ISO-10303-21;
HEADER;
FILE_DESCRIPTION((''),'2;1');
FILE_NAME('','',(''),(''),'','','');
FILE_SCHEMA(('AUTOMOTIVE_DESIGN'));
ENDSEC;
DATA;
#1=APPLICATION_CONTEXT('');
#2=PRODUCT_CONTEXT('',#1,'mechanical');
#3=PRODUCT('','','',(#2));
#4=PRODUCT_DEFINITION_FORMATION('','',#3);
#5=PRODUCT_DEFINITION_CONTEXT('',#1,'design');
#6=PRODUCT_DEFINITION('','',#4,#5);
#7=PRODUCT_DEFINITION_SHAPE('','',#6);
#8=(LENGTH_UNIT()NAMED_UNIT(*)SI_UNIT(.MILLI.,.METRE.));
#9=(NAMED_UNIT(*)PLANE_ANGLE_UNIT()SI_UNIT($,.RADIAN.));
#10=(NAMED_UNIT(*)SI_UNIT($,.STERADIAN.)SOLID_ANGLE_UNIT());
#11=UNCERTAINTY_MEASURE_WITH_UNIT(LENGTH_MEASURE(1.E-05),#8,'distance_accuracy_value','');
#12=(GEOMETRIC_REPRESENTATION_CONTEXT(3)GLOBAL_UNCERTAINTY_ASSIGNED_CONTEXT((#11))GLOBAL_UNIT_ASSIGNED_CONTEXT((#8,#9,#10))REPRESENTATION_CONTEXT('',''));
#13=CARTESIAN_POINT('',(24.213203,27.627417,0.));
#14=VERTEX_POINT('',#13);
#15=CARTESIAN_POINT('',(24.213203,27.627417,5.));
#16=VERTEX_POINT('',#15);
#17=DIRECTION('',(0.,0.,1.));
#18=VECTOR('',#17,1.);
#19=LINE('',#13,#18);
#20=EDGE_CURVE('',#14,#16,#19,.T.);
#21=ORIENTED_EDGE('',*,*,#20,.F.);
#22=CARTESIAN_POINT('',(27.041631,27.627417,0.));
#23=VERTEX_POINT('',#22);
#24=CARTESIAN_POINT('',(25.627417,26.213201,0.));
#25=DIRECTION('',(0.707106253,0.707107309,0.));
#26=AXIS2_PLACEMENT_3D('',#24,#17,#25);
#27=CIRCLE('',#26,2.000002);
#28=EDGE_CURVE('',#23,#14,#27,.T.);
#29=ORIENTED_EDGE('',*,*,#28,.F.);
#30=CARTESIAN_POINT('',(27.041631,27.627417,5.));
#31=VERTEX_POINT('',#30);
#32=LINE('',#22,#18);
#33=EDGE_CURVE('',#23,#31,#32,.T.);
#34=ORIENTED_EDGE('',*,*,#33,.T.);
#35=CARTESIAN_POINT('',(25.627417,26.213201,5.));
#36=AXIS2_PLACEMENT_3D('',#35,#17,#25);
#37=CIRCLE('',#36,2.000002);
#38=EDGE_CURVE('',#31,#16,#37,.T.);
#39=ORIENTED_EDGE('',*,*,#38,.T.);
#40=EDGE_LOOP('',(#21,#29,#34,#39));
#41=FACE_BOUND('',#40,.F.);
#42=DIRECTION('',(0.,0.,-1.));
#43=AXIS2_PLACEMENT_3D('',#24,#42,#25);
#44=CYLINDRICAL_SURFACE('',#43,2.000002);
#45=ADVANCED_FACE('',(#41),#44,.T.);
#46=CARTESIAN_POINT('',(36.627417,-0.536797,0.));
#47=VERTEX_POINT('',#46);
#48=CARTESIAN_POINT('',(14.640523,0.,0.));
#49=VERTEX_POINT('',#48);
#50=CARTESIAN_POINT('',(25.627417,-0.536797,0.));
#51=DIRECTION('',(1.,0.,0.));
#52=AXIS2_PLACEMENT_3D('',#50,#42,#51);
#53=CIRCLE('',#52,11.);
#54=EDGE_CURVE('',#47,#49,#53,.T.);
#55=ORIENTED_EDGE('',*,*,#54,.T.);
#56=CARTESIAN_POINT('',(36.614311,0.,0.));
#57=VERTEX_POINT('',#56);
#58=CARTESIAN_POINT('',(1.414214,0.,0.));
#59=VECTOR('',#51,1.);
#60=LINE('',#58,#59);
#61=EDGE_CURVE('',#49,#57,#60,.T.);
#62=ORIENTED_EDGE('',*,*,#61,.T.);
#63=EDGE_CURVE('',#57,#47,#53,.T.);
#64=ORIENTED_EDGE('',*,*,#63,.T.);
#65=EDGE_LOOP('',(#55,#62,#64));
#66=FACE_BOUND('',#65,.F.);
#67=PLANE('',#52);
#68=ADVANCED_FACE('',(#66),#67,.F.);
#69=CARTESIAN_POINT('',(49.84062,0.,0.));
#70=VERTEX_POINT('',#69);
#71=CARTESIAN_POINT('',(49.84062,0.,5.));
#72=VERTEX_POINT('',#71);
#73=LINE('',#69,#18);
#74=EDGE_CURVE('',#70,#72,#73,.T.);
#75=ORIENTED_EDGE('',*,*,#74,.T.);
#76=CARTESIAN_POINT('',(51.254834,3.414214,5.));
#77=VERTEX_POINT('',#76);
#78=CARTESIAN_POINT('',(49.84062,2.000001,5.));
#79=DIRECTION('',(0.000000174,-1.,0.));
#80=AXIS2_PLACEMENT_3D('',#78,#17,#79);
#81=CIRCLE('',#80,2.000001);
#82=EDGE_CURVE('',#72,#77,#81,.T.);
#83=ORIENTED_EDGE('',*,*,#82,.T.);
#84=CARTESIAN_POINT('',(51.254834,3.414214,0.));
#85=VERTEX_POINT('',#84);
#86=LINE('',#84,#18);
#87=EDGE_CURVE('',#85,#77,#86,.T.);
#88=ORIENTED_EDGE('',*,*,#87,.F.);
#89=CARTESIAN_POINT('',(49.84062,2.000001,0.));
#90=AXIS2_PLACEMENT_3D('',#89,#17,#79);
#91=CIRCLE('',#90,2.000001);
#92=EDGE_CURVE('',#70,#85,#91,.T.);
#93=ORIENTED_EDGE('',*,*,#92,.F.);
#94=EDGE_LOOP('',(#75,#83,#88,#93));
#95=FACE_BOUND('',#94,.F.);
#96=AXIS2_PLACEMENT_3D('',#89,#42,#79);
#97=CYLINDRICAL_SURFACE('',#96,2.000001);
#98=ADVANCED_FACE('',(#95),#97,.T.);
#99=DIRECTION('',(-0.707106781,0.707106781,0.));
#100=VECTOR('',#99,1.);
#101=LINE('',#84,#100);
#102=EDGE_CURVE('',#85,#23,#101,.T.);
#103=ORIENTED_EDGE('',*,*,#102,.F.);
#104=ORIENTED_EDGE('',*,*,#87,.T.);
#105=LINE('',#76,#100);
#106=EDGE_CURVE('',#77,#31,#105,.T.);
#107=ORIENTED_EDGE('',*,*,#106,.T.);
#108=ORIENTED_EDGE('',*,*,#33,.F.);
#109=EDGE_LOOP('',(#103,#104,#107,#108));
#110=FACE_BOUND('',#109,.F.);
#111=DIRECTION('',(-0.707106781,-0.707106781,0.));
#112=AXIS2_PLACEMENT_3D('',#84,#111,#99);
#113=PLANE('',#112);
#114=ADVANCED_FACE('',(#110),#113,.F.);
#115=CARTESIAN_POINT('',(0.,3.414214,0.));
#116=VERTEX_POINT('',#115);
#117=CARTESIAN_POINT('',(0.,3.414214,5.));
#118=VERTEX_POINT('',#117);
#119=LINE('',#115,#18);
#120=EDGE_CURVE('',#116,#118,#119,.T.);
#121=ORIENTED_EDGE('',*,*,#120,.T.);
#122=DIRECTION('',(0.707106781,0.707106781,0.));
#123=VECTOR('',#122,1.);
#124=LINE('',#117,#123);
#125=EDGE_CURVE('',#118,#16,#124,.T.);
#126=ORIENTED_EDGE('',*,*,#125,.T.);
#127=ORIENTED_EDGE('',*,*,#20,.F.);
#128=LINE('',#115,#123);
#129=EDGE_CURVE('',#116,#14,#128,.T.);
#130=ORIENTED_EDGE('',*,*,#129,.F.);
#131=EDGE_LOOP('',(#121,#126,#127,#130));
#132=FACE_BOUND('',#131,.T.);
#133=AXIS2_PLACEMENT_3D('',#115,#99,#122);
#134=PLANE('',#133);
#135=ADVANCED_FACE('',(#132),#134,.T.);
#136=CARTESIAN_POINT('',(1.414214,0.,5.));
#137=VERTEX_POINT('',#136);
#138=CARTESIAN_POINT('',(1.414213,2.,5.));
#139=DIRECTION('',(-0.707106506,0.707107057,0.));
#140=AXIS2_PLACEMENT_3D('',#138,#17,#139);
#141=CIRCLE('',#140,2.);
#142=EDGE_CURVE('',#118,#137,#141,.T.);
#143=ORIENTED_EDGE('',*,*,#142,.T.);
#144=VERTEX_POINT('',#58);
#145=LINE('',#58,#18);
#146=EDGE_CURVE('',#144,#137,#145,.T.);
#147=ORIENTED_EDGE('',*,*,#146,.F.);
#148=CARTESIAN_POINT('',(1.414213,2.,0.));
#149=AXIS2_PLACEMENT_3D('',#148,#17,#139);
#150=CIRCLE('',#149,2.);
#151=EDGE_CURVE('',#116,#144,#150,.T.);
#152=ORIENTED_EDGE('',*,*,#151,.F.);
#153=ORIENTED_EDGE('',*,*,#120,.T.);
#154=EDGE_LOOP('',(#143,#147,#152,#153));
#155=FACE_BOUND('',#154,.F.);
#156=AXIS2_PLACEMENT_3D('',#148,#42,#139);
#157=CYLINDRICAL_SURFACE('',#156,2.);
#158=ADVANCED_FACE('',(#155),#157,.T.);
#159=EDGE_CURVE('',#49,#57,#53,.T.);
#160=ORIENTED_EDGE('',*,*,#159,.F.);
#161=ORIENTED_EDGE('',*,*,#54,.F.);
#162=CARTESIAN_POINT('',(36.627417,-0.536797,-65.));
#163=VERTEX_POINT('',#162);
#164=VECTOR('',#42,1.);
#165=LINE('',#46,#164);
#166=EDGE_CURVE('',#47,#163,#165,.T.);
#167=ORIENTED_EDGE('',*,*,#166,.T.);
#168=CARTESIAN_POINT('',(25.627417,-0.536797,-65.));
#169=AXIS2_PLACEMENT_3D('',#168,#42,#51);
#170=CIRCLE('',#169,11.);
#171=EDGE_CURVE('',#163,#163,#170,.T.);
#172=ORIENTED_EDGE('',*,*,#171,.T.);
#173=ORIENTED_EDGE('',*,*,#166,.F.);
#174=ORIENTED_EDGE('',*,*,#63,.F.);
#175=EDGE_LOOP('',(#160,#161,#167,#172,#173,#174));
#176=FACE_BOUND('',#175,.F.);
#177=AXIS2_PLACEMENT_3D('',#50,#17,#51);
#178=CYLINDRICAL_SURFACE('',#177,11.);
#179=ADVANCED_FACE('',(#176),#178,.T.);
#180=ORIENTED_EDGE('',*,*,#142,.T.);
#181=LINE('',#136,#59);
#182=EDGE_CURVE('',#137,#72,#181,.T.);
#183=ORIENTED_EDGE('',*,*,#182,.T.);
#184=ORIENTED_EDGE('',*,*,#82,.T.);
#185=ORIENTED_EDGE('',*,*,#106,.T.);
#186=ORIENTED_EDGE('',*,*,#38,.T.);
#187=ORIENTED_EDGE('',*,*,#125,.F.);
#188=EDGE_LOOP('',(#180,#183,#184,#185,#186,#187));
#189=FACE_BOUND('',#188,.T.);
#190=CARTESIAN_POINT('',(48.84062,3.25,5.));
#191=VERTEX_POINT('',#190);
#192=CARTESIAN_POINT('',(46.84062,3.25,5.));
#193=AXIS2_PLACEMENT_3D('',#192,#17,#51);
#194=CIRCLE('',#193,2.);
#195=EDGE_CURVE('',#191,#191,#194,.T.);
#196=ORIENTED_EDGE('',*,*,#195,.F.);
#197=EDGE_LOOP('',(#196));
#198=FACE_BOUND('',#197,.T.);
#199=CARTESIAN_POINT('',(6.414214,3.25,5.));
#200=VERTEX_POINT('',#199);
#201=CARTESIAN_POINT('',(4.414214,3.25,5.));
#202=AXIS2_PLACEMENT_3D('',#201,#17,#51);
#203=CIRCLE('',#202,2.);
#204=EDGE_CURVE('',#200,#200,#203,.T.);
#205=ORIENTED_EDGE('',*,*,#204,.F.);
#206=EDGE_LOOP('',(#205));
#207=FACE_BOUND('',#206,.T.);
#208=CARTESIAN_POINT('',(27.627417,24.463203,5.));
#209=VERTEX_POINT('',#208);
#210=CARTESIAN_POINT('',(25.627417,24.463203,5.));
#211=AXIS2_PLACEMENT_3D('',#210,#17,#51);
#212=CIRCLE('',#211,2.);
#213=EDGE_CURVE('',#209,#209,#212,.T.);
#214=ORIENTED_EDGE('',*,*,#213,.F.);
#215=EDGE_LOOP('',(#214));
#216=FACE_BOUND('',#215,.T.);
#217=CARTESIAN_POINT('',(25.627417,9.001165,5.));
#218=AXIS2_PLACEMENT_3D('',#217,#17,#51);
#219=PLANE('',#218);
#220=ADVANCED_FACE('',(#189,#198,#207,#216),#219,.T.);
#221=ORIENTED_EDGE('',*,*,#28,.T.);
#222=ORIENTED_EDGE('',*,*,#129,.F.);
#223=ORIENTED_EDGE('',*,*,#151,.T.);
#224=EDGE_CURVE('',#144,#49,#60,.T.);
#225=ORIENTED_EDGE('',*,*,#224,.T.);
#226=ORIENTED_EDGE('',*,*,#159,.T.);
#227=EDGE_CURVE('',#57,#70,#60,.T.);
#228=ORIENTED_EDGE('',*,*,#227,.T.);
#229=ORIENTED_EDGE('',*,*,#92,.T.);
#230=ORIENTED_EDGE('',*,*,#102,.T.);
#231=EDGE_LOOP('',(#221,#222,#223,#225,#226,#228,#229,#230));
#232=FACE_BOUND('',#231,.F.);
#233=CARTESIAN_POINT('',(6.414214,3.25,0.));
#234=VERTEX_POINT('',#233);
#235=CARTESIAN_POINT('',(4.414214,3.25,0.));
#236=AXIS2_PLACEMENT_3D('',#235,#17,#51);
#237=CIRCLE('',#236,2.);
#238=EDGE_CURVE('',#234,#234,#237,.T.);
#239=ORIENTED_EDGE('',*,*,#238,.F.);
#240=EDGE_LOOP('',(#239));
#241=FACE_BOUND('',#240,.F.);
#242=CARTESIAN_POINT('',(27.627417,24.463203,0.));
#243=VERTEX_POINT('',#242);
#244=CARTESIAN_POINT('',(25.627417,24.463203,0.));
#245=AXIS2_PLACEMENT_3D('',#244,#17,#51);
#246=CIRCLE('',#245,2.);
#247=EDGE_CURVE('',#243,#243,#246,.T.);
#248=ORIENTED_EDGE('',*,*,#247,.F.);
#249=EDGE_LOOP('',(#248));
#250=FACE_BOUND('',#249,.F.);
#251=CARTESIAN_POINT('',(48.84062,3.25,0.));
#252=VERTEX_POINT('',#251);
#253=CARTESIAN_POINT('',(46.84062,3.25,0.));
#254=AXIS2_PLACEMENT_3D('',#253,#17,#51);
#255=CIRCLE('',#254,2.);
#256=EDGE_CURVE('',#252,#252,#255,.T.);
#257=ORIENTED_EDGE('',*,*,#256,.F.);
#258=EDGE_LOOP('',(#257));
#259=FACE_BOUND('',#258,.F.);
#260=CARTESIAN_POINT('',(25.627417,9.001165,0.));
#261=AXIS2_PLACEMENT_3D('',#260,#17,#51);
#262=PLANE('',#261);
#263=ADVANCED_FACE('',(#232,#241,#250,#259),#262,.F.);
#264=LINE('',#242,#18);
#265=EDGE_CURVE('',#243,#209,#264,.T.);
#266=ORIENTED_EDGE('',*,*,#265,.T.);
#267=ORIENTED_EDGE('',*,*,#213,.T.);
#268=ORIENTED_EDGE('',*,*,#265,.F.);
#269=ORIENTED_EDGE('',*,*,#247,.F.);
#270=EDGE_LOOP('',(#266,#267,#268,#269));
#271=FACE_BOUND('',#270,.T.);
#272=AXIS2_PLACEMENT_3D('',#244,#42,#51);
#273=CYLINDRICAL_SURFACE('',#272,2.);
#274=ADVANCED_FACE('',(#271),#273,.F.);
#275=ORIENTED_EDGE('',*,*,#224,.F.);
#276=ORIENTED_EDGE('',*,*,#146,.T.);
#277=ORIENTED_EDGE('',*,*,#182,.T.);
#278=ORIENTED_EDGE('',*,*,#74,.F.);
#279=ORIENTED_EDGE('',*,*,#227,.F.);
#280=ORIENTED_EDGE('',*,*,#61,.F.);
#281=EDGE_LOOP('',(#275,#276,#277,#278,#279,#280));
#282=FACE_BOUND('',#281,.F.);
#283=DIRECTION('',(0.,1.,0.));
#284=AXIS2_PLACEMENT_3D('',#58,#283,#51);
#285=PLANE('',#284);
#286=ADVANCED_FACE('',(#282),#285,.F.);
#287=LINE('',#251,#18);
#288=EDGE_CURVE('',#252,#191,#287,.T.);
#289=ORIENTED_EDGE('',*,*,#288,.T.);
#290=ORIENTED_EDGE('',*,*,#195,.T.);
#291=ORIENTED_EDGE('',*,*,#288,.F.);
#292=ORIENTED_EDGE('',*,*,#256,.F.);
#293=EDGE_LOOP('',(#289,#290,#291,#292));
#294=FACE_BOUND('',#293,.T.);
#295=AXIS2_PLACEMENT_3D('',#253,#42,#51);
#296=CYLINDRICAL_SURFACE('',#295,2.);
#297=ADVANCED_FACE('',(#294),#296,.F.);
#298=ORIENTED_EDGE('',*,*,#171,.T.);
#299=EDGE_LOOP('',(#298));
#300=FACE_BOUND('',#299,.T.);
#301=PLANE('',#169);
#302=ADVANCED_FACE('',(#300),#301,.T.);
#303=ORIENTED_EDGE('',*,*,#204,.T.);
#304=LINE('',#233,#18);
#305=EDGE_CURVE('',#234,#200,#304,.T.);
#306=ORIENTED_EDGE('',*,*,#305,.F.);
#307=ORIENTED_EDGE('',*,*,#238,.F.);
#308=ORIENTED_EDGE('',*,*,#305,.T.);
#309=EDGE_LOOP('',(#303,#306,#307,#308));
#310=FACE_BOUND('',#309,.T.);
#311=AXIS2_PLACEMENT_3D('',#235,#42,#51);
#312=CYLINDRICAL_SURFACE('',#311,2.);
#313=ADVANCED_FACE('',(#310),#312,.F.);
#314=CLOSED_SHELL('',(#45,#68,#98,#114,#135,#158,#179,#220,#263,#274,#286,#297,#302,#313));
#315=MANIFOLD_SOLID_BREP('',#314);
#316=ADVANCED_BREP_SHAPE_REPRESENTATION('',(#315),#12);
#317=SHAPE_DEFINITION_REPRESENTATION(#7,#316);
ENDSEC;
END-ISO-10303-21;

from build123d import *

# Parameters (mm, degrees)
SKETCH_R     = 2
PAD_DEPTH    = 5
SKETCH001_R  = 11
PAD001_DEPTH = 65


with BuildPart() as part:
    # Sketch → Pad (new body)
    with BuildSketch(Plane.XY):
        with BuildLine():
            Line((1.414214, 0), (49.84062, 0))
            ThreePointArc((49.84062, 0), (51.688379, 1.234633), (51.254834, 3.414214))
            Line((51.254834, 3.414214), (27.041631, 27.627417))
            ThreePointArc((27.041631, 27.627417), (25.627417, 28.213203), (24.213203, 27.627417))
            Line((0, 3.414214), (24.213203, 27.627417))
            ThreePointArc((0, 3.414214), (-0.433546, 1.234633), (1.414214, 0))
        make_face()
        with Locations((4.414214, 3.25)):
            Circle(SKETCH_R, mode=Mode.SUBTRACT)
        with Locations((46.84062, 3.25)):
            Circle(SKETCH_R, mode=Mode.SUBTRACT)
        with Locations((25.627417, 24.463203)):
            Circle(SKETCH_R, mode=Mode.SUBTRACT)
    extrude(amount=PAD_DEPTH)

    # Sketch001 (on Face10 of Pad) → Pad001 (join)
    with BuildSketch(Plane(origin=(0, 0, 0), x_dir=(1, 0, 0), z_dir=(0, 0, -1))):
        with Locations((25.627417, 0.536797)):
            Circle(SKETCH001_R)
    extrude(amount=PAD001_DEPTH)


solid = part.part
